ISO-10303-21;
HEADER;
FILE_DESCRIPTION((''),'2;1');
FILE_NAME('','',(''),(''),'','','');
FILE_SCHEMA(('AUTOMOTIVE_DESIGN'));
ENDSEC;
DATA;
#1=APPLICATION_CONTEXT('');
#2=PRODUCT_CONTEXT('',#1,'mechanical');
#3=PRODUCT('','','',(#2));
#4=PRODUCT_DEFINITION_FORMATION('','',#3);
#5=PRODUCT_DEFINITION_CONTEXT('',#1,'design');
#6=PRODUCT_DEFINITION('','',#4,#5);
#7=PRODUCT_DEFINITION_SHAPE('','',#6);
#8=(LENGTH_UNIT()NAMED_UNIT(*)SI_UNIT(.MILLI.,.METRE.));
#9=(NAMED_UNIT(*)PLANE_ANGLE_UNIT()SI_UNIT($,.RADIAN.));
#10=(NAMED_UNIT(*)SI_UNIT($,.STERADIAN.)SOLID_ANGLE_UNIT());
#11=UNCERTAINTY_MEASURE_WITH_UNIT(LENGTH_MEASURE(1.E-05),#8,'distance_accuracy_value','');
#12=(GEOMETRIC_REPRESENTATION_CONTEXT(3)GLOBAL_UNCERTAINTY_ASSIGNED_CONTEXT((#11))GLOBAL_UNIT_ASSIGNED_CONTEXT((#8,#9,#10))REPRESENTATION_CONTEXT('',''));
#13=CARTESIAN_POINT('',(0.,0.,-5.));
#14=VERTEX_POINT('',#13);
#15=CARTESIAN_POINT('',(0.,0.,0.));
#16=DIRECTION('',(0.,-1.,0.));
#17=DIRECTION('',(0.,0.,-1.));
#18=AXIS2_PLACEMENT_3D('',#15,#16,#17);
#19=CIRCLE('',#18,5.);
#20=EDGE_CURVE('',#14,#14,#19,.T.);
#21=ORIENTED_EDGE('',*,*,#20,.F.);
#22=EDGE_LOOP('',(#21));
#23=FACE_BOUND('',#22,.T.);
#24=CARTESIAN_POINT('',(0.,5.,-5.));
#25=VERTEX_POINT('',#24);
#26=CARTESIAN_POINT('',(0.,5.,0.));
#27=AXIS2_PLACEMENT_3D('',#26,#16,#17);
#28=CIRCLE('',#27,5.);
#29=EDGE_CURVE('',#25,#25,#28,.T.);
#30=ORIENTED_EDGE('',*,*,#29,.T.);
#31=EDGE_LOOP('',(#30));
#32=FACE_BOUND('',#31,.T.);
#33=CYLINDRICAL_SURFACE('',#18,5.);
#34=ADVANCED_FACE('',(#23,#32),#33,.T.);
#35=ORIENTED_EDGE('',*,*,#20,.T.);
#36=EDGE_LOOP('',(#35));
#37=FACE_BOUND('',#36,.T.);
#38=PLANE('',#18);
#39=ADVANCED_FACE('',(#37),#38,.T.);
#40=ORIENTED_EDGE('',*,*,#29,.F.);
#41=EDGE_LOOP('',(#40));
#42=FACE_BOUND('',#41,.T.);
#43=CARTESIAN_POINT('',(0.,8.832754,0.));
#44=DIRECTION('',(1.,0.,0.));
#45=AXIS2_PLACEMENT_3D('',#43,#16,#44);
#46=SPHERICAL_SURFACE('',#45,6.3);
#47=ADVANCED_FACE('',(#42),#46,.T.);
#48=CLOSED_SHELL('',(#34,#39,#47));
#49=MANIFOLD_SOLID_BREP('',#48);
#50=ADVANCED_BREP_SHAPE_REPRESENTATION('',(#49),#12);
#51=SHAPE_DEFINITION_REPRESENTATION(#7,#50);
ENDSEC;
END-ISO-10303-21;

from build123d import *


with BuildPart() as part:
    # Sketch1 → Base-Revolve (revolve)
    with BuildSketch(Plane.XY, mode=Mode.PRIVATE) as base_revolve_sk:
        with BuildLine():
            Line((0, 0), (5, 0))
            Line((5, 0), (5, 5))
            ThreePointArc((5, 5), (5.649617135, 11.62055311), (0, 15.132753579))
            Line((0, 15.132753579), (0, 0))
        make_face()
    revolve(base_revolve_sk.sketch.rotate(Axis((0, 0, 0), (0, 1, 0)), 90), axis=Axis((0, 0, 0), (0, 1, 0)))


solid = part.part
